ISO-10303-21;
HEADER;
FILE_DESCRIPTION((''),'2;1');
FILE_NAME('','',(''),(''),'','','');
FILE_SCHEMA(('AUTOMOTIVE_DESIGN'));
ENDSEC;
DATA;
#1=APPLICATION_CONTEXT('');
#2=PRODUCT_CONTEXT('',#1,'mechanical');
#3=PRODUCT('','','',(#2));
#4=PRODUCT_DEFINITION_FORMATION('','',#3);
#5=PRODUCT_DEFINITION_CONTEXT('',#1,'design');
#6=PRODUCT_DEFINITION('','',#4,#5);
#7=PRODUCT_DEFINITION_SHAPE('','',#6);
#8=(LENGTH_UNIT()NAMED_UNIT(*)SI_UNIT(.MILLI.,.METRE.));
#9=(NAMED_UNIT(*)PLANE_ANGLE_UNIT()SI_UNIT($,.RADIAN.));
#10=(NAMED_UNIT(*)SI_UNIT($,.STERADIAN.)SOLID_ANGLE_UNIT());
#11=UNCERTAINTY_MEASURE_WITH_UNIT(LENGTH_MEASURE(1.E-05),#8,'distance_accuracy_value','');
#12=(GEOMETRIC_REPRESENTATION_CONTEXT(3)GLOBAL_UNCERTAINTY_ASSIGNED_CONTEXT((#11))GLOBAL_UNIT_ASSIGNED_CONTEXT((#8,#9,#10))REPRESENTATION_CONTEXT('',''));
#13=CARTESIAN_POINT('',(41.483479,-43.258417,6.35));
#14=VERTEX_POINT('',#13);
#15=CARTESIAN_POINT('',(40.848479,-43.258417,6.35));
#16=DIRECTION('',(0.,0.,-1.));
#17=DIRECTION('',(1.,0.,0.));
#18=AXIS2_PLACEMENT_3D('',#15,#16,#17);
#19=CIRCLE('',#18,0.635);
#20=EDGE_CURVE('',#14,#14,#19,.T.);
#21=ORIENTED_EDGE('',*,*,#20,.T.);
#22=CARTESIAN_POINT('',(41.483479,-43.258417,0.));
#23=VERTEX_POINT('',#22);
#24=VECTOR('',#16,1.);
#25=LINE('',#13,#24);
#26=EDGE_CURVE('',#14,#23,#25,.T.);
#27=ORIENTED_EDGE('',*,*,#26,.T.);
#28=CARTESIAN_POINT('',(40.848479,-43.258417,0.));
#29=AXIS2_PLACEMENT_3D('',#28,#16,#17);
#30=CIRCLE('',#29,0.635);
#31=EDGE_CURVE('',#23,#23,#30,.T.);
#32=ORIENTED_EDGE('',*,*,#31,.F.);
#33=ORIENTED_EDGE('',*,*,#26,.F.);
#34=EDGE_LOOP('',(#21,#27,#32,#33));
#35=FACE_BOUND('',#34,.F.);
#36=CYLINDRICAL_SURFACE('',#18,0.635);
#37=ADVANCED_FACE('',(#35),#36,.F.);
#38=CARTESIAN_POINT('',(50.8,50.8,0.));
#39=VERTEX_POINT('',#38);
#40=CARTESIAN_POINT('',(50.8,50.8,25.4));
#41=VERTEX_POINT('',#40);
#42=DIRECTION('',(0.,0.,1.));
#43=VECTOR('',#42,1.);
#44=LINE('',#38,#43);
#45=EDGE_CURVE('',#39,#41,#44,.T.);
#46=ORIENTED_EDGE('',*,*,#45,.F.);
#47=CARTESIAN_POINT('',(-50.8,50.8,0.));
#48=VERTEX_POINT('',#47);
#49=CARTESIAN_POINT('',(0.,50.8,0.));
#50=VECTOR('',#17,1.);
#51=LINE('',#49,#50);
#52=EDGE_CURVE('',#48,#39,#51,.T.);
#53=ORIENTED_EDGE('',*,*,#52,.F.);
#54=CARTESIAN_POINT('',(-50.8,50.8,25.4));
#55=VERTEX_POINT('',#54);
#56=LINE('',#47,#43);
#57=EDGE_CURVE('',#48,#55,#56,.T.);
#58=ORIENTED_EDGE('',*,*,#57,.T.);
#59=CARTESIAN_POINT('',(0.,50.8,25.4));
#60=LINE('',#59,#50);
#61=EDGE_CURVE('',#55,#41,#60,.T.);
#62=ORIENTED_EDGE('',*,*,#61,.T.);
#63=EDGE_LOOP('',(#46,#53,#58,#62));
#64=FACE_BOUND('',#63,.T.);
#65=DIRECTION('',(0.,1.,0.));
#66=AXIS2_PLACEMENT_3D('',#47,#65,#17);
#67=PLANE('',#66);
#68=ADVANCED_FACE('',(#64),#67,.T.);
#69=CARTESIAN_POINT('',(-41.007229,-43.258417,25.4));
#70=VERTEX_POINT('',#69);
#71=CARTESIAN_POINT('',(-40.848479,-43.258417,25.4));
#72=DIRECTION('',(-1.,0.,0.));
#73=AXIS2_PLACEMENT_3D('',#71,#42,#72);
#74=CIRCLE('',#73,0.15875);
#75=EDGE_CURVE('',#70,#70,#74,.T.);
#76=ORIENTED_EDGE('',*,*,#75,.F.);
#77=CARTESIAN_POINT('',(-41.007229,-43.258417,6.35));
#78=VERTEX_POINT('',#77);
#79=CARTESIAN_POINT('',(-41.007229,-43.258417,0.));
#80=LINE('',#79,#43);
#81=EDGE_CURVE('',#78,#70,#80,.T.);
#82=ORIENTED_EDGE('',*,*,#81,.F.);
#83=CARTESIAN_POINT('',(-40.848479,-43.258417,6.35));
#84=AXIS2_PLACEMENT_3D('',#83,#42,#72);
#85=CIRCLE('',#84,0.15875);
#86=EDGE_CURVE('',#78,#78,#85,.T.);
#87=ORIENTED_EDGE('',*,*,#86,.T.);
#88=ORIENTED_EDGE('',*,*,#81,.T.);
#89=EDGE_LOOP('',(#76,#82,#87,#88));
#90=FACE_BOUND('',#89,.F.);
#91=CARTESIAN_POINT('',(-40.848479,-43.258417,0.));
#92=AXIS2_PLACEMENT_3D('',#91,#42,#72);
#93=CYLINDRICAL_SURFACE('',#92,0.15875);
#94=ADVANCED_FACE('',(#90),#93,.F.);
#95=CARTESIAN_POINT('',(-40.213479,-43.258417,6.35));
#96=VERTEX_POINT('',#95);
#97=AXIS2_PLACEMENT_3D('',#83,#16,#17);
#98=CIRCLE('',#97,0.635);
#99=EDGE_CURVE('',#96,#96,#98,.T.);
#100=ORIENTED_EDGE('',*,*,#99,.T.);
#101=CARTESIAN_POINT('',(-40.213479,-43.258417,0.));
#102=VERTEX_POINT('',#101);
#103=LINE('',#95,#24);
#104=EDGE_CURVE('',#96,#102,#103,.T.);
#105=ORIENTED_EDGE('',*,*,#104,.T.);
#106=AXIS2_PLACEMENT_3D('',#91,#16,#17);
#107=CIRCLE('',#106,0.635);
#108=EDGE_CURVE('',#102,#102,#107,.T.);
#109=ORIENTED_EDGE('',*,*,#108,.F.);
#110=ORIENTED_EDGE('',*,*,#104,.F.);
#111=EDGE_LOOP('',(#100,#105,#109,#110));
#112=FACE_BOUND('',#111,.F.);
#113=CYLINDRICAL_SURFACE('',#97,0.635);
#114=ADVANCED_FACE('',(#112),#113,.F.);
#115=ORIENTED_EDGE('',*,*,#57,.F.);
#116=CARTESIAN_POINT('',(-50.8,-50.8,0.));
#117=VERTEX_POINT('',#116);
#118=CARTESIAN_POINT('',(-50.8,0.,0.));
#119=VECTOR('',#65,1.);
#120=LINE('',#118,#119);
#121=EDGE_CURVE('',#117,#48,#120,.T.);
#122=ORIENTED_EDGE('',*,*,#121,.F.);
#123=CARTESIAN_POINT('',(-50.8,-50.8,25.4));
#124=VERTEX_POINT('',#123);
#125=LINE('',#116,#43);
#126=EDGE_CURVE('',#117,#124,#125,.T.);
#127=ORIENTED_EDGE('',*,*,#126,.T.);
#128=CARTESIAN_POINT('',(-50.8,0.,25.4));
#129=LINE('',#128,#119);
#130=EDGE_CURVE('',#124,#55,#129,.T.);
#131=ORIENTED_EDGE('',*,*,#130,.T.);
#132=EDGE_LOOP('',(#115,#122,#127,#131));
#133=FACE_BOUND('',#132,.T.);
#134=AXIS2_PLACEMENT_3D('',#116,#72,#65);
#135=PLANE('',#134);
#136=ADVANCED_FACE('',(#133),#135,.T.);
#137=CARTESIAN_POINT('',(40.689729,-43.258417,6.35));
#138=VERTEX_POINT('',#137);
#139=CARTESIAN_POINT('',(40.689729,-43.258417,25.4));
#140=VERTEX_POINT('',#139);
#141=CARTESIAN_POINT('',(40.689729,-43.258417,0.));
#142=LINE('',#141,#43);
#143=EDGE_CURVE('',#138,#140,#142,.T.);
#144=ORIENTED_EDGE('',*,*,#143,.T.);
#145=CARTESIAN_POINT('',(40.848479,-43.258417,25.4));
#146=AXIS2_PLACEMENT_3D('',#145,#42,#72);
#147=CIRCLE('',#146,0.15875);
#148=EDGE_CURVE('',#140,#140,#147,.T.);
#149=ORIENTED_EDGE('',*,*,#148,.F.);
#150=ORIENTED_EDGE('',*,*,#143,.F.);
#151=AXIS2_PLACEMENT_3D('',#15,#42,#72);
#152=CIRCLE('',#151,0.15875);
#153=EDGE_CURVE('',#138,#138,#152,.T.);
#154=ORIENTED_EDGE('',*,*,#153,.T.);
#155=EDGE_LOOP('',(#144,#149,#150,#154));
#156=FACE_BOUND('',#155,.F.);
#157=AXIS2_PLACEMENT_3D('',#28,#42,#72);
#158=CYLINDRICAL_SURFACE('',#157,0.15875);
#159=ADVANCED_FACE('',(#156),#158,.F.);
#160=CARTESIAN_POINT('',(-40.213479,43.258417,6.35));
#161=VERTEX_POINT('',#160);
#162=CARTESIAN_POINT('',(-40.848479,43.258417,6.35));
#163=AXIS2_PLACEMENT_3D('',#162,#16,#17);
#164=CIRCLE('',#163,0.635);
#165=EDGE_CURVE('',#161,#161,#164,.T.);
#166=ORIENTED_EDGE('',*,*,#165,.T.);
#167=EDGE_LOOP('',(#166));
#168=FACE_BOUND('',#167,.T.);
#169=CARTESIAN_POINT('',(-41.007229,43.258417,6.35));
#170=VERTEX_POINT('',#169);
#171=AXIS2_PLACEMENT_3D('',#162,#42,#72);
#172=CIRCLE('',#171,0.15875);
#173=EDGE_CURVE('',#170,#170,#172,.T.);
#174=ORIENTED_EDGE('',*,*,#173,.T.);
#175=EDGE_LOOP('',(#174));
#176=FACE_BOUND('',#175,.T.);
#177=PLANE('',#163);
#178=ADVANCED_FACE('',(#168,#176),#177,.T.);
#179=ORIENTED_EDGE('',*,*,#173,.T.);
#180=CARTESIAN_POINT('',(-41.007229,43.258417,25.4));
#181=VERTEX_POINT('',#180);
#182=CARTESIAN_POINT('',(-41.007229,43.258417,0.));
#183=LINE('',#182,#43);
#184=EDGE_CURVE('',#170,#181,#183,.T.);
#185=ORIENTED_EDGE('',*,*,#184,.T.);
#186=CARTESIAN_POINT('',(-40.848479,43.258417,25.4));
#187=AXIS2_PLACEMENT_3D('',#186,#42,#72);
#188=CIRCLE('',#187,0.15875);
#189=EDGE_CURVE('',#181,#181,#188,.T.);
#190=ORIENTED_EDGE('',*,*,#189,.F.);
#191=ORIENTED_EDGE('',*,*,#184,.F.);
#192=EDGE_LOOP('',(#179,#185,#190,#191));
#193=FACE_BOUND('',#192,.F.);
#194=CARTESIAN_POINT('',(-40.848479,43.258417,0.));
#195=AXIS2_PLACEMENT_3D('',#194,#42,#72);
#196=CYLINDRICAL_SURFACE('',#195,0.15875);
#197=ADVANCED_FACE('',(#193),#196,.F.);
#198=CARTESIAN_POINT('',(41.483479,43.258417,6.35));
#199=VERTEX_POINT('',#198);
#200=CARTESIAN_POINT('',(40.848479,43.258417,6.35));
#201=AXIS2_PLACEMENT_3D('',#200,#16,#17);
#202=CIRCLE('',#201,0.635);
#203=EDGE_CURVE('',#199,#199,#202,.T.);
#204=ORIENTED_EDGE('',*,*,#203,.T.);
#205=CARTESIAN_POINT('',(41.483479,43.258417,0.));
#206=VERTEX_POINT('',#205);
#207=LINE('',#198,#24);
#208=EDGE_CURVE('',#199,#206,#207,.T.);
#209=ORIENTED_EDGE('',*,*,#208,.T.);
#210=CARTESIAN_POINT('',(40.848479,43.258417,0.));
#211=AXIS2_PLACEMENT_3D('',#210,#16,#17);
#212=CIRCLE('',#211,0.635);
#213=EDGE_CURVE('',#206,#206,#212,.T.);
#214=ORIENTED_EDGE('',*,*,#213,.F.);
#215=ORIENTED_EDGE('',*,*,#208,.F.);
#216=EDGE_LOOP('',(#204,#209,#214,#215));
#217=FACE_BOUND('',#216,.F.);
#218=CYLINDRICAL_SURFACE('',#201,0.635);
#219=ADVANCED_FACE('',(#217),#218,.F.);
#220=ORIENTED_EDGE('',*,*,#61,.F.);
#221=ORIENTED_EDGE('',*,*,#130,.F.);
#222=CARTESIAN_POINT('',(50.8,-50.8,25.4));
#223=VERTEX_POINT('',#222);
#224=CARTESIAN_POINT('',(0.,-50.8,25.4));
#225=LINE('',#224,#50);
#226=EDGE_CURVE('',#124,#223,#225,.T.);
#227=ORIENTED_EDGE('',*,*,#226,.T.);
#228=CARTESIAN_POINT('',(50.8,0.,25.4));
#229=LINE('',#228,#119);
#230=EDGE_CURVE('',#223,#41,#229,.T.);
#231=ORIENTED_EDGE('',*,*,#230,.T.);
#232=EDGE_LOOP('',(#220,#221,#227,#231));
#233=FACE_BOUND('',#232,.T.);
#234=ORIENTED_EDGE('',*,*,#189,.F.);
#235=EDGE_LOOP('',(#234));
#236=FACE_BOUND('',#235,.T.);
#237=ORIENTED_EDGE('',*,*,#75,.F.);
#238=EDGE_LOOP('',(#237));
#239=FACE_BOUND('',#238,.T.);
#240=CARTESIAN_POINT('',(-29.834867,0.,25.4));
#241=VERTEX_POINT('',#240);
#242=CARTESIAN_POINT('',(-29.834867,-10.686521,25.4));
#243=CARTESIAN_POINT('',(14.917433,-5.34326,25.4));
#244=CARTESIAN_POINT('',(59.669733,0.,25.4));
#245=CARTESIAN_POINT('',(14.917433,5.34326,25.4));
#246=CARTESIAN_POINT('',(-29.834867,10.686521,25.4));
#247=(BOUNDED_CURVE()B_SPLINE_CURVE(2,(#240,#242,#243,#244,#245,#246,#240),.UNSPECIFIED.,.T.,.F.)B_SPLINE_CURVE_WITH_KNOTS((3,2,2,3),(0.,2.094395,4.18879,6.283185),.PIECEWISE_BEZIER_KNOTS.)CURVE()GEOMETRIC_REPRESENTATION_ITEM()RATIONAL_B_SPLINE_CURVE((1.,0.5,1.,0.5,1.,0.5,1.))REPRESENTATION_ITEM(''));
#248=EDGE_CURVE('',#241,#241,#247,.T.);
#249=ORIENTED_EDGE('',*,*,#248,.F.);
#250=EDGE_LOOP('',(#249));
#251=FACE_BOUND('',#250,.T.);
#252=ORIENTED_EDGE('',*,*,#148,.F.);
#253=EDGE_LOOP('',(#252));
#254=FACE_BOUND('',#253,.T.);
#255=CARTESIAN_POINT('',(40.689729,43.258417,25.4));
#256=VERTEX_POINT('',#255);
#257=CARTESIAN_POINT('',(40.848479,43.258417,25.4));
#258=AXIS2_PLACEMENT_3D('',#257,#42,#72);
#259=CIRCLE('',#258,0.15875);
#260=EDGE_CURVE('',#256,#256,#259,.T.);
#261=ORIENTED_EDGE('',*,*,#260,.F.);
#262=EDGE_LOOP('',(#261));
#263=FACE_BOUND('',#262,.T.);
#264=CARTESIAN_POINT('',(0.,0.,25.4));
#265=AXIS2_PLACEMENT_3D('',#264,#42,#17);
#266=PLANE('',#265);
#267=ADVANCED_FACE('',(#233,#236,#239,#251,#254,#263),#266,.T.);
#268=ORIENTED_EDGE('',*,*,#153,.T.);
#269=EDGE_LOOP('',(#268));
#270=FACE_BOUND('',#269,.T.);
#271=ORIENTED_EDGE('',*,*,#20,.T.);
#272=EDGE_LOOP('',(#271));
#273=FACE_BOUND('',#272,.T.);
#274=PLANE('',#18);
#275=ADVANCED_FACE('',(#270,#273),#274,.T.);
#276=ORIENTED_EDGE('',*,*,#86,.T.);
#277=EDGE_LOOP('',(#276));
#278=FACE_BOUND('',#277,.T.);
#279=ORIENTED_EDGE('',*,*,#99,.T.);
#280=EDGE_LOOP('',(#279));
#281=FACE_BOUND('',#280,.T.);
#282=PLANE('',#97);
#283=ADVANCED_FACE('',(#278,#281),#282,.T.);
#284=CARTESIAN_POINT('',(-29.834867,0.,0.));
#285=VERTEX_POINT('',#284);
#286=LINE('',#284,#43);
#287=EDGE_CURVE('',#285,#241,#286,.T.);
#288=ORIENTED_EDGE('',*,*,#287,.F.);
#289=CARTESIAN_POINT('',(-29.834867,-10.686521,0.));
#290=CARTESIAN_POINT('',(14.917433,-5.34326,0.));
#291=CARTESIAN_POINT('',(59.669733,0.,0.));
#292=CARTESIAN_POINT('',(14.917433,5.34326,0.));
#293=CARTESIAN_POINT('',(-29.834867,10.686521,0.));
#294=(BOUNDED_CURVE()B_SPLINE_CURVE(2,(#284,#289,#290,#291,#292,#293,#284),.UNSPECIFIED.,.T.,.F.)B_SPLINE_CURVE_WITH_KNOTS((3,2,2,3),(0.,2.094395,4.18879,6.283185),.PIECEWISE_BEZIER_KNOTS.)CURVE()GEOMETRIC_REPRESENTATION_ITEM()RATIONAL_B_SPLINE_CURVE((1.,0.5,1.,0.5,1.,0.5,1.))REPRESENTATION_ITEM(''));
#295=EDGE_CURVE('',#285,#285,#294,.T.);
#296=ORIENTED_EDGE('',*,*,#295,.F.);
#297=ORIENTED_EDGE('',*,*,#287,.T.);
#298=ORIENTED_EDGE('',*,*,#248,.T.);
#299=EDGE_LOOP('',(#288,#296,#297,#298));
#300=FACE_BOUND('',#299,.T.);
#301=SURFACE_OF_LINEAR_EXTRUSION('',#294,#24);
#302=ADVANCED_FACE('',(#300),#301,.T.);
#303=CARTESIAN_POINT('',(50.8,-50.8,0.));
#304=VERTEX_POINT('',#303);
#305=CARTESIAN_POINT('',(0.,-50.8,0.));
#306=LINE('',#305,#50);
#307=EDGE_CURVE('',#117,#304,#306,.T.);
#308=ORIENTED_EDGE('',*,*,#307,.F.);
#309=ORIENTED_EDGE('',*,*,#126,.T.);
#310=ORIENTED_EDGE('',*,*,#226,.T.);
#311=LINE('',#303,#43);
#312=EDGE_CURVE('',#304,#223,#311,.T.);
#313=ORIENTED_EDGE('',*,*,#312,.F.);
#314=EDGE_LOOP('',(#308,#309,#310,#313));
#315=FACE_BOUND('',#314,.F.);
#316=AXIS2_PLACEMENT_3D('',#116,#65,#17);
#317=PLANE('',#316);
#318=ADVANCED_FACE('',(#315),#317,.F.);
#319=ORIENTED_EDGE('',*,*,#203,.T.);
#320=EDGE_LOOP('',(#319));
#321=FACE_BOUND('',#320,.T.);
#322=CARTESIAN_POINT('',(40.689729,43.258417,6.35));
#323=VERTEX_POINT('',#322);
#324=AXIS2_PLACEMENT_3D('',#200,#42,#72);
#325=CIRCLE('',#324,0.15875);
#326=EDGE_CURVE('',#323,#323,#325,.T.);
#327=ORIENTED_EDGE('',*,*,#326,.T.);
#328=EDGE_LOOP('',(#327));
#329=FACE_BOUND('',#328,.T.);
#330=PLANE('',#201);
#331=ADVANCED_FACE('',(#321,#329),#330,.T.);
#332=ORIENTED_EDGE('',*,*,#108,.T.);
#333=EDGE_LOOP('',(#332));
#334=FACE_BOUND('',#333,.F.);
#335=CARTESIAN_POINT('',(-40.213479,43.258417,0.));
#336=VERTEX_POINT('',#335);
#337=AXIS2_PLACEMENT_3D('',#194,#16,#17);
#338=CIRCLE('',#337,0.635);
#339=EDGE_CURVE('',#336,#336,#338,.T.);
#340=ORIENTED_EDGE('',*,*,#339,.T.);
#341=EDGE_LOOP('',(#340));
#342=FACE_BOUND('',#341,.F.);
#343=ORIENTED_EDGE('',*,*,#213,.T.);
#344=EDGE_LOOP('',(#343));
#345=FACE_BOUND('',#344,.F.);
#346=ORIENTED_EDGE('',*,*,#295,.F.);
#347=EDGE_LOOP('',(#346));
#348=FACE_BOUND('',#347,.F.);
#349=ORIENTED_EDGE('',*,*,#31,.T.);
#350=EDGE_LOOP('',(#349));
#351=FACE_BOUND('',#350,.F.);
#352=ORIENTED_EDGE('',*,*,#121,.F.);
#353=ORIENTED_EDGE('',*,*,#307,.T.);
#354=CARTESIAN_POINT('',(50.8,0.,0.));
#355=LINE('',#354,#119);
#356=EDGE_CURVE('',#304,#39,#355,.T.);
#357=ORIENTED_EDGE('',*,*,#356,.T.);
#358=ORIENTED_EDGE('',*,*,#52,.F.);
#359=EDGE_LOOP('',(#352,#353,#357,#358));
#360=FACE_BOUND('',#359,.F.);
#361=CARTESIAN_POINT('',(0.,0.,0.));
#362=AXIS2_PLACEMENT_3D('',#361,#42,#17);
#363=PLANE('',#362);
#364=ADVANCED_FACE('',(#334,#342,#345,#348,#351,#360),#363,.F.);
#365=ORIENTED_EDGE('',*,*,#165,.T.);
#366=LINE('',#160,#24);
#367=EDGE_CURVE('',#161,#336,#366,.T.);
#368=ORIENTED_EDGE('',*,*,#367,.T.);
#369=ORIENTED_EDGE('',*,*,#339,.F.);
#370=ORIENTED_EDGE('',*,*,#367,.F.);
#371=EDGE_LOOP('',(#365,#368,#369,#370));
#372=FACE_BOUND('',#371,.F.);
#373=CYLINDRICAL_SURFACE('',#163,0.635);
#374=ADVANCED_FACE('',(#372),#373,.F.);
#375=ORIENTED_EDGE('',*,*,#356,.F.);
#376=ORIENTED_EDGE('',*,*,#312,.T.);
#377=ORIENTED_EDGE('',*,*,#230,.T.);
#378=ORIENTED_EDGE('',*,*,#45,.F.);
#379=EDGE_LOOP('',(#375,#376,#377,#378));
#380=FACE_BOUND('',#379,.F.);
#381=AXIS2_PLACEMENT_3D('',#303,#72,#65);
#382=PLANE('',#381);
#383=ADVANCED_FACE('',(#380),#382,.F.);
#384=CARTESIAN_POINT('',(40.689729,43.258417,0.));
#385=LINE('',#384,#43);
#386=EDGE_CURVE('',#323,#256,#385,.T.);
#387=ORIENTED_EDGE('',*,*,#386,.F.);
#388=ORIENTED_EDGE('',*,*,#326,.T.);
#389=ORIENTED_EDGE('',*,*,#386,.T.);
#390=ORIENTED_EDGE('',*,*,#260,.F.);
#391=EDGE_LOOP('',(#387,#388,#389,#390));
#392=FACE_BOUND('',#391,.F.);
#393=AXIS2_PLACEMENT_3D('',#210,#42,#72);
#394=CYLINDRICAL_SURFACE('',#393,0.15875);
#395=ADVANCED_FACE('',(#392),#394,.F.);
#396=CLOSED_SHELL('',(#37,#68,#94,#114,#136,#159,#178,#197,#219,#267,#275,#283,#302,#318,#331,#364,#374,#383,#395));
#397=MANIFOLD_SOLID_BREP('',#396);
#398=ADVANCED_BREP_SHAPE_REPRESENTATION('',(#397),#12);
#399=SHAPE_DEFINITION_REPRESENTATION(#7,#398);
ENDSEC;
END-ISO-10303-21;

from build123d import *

# Parameters (mm, degrees)
F0_W           = 101.6
F0_H           = 101.6
F1_DEPTH       = 25.4
F3_D           = 0.3175
F3_CBORE_D     = 1.27
F3_CBORE_DEPTH = 6.35


with BuildPart() as f1:
    # F0 (on Top) → F1 (new body)
    with BuildSketch(Plane.XY):
        Rectangle(F0_W, F0_H)
        with BuildLine():
            add(Edge.make_bspline(
                [(-29.834867, 0), (-29.834867, -10.686521), (14.917433, -5.34326), (59.669733, 0), (14.917433, 5.34326), (-29.834867, 10.686521), (-29.834867, 0)],
                knots=[0, 0, 0, 2.094395, 2.094395, 4.18879, 4.18879, 6.283185, 6.283185, 6.283185], degree=2, weights=[1, 0.5, 1, 0.5, 1, 0.5, 1]))
        make_face(mode=Mode.SUBTRACT)
    extrude(amount=F1_DEPTH)

    # F3 (through all)
    with Locations(Plane(origin=(0, 0, 0), x_dir=(1, 0, 0), z_dir=(0, 0, -1))):
        with Locations((-40.848479, 43.258417), (40.848479, 43.258417), (40.848479, -43.258417), (-40.848479, -43.258417)):
            CounterBoreHole(F3_D / 2, F3_CBORE_D / 2, F3_CBORE_DEPTH)


solid = f1.part
